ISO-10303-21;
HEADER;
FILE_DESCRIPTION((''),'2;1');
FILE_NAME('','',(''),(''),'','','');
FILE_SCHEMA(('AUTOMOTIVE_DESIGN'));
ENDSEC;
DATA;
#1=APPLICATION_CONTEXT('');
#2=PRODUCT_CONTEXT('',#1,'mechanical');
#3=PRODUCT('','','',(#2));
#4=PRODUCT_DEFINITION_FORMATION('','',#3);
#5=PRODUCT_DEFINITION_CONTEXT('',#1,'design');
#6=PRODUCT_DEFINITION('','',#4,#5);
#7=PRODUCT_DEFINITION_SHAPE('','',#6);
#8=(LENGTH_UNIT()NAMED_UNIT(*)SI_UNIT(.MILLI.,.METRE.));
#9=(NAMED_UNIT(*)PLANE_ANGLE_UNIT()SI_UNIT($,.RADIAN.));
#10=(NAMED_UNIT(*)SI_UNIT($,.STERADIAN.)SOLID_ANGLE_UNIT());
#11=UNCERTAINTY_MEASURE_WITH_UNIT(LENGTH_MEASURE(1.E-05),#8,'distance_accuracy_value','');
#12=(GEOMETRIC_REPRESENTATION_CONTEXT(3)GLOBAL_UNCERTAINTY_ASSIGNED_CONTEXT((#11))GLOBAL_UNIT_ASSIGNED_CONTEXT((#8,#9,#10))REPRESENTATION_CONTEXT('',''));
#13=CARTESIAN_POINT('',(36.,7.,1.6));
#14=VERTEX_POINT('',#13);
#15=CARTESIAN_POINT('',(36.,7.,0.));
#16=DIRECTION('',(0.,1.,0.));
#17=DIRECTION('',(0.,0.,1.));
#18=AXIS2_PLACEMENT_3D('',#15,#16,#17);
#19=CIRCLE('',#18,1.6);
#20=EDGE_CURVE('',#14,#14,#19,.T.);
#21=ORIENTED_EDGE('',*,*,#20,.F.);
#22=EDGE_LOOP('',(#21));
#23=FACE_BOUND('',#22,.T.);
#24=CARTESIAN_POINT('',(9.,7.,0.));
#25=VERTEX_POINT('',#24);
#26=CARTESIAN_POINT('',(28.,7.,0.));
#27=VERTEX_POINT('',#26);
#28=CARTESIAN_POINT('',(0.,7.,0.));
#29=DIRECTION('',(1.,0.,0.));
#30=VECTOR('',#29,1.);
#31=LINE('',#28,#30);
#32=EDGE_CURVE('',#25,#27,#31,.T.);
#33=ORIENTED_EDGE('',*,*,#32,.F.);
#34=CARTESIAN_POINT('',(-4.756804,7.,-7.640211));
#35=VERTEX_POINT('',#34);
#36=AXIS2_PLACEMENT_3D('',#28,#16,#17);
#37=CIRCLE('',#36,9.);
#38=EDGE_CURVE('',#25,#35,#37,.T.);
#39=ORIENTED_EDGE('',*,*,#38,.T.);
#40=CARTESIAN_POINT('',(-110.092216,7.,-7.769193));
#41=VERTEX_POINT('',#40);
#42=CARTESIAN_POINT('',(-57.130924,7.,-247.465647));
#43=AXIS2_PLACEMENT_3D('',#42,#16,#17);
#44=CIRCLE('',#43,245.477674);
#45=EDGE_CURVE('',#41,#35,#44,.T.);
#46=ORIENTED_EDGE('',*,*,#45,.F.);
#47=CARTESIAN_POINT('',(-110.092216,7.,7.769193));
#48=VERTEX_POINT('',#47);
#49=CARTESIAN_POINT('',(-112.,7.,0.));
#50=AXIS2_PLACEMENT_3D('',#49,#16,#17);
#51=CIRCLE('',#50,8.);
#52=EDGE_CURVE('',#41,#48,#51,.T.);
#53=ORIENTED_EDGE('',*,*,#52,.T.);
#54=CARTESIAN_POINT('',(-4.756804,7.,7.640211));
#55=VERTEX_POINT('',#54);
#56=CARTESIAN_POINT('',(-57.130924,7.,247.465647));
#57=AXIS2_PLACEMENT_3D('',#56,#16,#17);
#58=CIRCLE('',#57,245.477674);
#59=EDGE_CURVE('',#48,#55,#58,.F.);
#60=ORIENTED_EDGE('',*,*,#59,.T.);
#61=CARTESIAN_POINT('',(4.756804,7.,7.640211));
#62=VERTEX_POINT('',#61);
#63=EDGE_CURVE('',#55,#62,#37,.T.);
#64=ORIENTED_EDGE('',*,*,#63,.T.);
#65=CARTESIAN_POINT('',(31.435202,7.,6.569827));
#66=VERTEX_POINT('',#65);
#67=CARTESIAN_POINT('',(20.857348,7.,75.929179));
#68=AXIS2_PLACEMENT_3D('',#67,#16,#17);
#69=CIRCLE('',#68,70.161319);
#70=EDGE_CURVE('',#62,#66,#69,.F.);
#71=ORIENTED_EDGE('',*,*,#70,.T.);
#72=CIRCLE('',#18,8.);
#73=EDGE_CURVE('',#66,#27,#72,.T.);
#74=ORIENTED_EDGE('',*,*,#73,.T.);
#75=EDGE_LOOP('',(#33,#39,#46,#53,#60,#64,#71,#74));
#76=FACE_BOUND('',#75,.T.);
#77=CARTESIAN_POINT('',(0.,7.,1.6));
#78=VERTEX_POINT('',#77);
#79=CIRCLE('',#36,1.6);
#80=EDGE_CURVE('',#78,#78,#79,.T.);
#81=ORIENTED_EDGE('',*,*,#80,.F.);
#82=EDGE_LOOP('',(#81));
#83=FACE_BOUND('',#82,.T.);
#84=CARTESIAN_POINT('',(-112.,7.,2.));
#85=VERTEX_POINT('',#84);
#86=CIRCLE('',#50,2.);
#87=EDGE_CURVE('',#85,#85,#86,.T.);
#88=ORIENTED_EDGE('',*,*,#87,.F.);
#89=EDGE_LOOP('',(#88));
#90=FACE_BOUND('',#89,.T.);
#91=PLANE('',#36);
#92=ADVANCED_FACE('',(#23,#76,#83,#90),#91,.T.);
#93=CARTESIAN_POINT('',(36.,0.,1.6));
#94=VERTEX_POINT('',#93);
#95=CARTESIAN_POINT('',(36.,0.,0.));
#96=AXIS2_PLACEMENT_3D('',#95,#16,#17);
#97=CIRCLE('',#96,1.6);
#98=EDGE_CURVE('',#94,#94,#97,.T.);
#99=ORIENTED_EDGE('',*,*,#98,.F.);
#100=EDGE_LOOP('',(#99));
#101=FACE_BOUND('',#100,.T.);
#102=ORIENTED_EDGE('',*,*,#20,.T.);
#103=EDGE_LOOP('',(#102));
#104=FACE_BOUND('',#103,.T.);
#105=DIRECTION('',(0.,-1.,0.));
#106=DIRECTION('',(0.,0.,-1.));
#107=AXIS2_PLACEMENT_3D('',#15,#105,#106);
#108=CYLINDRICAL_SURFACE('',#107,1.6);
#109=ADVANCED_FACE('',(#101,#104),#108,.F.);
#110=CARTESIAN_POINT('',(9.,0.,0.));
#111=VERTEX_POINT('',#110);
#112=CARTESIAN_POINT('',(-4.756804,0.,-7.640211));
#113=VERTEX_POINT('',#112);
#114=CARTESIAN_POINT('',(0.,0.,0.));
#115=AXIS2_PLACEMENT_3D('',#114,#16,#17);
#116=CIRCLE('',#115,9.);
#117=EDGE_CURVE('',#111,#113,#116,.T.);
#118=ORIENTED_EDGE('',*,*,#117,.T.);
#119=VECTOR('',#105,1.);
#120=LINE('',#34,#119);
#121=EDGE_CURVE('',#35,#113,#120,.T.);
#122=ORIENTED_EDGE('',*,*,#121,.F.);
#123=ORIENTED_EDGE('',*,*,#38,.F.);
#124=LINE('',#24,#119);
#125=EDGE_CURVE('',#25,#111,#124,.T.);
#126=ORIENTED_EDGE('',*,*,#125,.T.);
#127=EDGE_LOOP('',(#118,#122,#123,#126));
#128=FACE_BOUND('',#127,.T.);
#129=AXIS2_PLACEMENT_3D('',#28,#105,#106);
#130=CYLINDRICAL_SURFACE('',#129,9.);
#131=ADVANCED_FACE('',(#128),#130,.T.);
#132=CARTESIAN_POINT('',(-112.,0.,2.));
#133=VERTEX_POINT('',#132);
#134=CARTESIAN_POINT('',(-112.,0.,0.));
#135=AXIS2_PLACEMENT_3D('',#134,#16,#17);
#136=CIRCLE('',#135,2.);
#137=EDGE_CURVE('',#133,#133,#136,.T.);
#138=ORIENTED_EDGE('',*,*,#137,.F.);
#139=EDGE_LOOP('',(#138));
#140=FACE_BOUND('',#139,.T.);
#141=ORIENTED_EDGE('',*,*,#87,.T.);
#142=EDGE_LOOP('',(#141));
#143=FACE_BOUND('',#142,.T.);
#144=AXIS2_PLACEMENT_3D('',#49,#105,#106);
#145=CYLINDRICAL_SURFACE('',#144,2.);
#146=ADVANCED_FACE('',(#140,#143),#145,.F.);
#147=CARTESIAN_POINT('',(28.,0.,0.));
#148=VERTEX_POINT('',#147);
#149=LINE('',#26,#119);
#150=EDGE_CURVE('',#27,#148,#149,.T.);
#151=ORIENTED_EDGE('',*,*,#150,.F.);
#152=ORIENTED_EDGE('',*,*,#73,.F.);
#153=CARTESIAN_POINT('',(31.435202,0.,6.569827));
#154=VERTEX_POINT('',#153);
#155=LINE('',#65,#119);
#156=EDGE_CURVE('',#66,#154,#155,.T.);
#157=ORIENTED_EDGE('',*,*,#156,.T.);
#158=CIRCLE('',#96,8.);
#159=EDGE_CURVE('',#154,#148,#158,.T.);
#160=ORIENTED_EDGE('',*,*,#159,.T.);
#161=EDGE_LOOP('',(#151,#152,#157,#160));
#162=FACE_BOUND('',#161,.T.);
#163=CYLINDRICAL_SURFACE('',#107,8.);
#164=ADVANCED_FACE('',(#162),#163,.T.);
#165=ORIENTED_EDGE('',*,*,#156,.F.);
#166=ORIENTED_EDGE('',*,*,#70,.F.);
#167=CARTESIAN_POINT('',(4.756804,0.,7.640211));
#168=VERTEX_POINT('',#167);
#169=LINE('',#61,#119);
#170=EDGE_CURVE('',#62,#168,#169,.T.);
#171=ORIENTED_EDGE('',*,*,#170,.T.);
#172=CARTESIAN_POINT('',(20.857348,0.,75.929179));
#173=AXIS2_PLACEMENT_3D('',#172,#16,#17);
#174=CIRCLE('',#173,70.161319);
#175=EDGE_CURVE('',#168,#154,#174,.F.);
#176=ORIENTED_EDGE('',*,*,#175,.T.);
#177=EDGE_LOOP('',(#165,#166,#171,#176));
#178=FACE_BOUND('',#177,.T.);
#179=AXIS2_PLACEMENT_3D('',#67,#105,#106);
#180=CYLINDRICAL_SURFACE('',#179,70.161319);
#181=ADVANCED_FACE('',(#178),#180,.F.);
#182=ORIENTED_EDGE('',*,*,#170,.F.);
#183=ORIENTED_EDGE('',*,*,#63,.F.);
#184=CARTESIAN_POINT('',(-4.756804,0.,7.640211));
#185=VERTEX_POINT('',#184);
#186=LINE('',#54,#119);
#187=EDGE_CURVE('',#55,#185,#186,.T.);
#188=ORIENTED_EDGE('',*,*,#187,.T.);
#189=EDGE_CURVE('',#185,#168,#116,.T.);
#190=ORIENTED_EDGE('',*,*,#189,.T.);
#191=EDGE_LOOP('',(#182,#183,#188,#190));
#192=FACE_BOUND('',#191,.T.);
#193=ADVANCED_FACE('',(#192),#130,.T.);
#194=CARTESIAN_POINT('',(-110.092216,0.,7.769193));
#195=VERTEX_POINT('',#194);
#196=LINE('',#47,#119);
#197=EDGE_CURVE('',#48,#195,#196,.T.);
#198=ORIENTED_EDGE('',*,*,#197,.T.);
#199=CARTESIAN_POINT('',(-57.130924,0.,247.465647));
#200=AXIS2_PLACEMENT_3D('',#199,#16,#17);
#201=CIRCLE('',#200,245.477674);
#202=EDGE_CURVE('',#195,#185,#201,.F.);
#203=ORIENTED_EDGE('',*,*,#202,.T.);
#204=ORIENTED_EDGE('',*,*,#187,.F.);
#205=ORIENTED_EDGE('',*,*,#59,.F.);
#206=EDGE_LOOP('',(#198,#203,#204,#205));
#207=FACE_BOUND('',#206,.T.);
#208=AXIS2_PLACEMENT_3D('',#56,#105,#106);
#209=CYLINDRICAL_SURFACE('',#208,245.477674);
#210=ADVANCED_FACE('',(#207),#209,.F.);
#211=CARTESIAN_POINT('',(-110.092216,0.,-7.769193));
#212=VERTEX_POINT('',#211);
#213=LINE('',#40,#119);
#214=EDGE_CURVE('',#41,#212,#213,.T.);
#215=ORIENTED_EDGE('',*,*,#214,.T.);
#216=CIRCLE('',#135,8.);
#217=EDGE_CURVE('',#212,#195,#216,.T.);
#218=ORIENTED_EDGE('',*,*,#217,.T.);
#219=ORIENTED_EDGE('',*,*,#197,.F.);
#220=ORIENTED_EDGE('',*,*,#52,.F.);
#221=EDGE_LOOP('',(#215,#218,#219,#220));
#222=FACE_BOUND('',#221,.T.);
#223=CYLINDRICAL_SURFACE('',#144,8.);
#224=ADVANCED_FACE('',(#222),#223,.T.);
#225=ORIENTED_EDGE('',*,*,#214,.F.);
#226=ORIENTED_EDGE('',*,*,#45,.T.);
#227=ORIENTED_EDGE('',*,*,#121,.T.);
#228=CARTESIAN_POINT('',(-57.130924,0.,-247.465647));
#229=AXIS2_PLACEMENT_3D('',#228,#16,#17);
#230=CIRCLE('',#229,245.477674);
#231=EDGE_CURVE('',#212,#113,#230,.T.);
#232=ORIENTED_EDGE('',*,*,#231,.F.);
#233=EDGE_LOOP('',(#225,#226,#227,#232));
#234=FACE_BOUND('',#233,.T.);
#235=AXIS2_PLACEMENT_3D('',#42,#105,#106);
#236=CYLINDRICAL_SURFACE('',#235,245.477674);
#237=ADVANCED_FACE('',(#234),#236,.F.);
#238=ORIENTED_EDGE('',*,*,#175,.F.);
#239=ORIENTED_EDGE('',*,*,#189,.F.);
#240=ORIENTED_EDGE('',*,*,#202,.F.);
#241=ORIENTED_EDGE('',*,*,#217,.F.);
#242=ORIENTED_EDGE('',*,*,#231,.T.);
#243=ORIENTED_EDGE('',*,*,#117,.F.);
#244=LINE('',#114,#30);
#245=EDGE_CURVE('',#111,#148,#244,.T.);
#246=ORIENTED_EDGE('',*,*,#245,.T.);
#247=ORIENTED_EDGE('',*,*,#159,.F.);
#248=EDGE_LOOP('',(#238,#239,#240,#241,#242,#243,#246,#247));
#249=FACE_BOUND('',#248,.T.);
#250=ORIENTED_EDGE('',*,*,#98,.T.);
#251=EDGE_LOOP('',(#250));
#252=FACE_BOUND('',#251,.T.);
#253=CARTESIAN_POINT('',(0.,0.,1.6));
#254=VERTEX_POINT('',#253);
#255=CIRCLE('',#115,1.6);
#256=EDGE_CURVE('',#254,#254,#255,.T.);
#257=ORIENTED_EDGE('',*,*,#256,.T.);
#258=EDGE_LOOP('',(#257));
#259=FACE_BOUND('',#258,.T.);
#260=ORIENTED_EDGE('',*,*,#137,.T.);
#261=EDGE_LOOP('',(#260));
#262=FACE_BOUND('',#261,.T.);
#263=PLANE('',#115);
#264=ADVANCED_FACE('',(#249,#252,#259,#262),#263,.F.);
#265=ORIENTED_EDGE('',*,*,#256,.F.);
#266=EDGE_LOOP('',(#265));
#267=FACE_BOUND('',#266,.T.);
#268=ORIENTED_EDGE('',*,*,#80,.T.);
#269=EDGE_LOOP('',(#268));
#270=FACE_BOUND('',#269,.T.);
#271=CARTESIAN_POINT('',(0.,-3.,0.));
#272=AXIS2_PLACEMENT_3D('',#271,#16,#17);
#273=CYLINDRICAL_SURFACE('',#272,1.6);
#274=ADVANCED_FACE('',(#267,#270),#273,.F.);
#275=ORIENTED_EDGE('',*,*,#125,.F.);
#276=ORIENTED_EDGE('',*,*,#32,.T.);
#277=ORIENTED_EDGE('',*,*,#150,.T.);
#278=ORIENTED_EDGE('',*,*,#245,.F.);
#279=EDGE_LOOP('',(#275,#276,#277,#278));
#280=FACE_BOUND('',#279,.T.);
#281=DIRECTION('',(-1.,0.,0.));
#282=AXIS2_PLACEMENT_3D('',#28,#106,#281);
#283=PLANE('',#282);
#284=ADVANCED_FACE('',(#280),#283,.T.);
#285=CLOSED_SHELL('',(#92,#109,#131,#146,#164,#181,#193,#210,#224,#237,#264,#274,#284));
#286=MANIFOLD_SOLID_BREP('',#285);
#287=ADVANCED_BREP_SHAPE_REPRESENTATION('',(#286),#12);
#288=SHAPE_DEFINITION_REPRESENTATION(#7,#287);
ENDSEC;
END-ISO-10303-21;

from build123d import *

# Parameters (mm, degrees)
SKETCH1_R           = 2
SKETCH1_R_2         = 1.6
BOSS_EXTRUDE1_DEPTH = 7
SKETCH4_R           = 1.6
CUT_EXTRUDE1_DEPTH  = 10


with BuildPart() as part:
    # Sketch1 → Boss-Extrude1 (new body)
    with BuildSketch(Plane(origin=(0, 0, 0), x_dir=(1, 0, 0), z_dir=(0, 1, 0))):
        with BuildLine():
            ThreePointArc((-110.092216302, 7.769193096), (-120, 0), (-110.092216302, -7.769193096))
            ThreePointArc((-110.092216302, -7.769193096), (-57.431509927, -1.988156982), (-4.756803809, -7.640210568))
            ThreePointArc((-4.756803809, -7.640210568), (0, -9), (4.756803809, -7.640210568))
            ThreePointArc((4.756803809, -7.640210568), (18.044616959, -5.824262713), (31.43520243, -6.569826721))
            ThreePointArc((31.43520243, -6.569826721), (43.089371642, 3.706859819), (28, 0))
            Line((28, 0), (9, 0))
            ThreePointArc((9, 0), (4.369711988, 7.868012274), (-4.756803809, 7.640210568))
            ThreePointArc((-4.756803809, 7.640210568), (-57.431509927, 1.988156982), (-110.092216302, 7.769193096))
        make_face()
        with Locations(Location((-112, 0, 0), (0, 0, 270))):
            Circle(SKETCH1_R, mode=Mode.SUBTRACT)
        with Locations(Location((36, 0, 0), (0, 0, 270))):
            Circle(SKETCH1_R_2, mode=Mode.SUBTRACT)
    extrude(amount=BOSS_EXTRUDE1_DEPTH)

    # Sketch4 → Cut-Extrude1 (cut)
    with BuildSketch(Plane(origin=(0, 7, 0), x_dir=(1, 0, 0), z_dir=(0, 1, 0))):
        with Locations(Location((0, 0, 0), (0, 0, 270))):
            Circle(SKETCH4_R)
    extrude(amount=-CUT_EXTRUDE1_DEPTH, mode=Mode.SUBTRACT)


solid = part.part
